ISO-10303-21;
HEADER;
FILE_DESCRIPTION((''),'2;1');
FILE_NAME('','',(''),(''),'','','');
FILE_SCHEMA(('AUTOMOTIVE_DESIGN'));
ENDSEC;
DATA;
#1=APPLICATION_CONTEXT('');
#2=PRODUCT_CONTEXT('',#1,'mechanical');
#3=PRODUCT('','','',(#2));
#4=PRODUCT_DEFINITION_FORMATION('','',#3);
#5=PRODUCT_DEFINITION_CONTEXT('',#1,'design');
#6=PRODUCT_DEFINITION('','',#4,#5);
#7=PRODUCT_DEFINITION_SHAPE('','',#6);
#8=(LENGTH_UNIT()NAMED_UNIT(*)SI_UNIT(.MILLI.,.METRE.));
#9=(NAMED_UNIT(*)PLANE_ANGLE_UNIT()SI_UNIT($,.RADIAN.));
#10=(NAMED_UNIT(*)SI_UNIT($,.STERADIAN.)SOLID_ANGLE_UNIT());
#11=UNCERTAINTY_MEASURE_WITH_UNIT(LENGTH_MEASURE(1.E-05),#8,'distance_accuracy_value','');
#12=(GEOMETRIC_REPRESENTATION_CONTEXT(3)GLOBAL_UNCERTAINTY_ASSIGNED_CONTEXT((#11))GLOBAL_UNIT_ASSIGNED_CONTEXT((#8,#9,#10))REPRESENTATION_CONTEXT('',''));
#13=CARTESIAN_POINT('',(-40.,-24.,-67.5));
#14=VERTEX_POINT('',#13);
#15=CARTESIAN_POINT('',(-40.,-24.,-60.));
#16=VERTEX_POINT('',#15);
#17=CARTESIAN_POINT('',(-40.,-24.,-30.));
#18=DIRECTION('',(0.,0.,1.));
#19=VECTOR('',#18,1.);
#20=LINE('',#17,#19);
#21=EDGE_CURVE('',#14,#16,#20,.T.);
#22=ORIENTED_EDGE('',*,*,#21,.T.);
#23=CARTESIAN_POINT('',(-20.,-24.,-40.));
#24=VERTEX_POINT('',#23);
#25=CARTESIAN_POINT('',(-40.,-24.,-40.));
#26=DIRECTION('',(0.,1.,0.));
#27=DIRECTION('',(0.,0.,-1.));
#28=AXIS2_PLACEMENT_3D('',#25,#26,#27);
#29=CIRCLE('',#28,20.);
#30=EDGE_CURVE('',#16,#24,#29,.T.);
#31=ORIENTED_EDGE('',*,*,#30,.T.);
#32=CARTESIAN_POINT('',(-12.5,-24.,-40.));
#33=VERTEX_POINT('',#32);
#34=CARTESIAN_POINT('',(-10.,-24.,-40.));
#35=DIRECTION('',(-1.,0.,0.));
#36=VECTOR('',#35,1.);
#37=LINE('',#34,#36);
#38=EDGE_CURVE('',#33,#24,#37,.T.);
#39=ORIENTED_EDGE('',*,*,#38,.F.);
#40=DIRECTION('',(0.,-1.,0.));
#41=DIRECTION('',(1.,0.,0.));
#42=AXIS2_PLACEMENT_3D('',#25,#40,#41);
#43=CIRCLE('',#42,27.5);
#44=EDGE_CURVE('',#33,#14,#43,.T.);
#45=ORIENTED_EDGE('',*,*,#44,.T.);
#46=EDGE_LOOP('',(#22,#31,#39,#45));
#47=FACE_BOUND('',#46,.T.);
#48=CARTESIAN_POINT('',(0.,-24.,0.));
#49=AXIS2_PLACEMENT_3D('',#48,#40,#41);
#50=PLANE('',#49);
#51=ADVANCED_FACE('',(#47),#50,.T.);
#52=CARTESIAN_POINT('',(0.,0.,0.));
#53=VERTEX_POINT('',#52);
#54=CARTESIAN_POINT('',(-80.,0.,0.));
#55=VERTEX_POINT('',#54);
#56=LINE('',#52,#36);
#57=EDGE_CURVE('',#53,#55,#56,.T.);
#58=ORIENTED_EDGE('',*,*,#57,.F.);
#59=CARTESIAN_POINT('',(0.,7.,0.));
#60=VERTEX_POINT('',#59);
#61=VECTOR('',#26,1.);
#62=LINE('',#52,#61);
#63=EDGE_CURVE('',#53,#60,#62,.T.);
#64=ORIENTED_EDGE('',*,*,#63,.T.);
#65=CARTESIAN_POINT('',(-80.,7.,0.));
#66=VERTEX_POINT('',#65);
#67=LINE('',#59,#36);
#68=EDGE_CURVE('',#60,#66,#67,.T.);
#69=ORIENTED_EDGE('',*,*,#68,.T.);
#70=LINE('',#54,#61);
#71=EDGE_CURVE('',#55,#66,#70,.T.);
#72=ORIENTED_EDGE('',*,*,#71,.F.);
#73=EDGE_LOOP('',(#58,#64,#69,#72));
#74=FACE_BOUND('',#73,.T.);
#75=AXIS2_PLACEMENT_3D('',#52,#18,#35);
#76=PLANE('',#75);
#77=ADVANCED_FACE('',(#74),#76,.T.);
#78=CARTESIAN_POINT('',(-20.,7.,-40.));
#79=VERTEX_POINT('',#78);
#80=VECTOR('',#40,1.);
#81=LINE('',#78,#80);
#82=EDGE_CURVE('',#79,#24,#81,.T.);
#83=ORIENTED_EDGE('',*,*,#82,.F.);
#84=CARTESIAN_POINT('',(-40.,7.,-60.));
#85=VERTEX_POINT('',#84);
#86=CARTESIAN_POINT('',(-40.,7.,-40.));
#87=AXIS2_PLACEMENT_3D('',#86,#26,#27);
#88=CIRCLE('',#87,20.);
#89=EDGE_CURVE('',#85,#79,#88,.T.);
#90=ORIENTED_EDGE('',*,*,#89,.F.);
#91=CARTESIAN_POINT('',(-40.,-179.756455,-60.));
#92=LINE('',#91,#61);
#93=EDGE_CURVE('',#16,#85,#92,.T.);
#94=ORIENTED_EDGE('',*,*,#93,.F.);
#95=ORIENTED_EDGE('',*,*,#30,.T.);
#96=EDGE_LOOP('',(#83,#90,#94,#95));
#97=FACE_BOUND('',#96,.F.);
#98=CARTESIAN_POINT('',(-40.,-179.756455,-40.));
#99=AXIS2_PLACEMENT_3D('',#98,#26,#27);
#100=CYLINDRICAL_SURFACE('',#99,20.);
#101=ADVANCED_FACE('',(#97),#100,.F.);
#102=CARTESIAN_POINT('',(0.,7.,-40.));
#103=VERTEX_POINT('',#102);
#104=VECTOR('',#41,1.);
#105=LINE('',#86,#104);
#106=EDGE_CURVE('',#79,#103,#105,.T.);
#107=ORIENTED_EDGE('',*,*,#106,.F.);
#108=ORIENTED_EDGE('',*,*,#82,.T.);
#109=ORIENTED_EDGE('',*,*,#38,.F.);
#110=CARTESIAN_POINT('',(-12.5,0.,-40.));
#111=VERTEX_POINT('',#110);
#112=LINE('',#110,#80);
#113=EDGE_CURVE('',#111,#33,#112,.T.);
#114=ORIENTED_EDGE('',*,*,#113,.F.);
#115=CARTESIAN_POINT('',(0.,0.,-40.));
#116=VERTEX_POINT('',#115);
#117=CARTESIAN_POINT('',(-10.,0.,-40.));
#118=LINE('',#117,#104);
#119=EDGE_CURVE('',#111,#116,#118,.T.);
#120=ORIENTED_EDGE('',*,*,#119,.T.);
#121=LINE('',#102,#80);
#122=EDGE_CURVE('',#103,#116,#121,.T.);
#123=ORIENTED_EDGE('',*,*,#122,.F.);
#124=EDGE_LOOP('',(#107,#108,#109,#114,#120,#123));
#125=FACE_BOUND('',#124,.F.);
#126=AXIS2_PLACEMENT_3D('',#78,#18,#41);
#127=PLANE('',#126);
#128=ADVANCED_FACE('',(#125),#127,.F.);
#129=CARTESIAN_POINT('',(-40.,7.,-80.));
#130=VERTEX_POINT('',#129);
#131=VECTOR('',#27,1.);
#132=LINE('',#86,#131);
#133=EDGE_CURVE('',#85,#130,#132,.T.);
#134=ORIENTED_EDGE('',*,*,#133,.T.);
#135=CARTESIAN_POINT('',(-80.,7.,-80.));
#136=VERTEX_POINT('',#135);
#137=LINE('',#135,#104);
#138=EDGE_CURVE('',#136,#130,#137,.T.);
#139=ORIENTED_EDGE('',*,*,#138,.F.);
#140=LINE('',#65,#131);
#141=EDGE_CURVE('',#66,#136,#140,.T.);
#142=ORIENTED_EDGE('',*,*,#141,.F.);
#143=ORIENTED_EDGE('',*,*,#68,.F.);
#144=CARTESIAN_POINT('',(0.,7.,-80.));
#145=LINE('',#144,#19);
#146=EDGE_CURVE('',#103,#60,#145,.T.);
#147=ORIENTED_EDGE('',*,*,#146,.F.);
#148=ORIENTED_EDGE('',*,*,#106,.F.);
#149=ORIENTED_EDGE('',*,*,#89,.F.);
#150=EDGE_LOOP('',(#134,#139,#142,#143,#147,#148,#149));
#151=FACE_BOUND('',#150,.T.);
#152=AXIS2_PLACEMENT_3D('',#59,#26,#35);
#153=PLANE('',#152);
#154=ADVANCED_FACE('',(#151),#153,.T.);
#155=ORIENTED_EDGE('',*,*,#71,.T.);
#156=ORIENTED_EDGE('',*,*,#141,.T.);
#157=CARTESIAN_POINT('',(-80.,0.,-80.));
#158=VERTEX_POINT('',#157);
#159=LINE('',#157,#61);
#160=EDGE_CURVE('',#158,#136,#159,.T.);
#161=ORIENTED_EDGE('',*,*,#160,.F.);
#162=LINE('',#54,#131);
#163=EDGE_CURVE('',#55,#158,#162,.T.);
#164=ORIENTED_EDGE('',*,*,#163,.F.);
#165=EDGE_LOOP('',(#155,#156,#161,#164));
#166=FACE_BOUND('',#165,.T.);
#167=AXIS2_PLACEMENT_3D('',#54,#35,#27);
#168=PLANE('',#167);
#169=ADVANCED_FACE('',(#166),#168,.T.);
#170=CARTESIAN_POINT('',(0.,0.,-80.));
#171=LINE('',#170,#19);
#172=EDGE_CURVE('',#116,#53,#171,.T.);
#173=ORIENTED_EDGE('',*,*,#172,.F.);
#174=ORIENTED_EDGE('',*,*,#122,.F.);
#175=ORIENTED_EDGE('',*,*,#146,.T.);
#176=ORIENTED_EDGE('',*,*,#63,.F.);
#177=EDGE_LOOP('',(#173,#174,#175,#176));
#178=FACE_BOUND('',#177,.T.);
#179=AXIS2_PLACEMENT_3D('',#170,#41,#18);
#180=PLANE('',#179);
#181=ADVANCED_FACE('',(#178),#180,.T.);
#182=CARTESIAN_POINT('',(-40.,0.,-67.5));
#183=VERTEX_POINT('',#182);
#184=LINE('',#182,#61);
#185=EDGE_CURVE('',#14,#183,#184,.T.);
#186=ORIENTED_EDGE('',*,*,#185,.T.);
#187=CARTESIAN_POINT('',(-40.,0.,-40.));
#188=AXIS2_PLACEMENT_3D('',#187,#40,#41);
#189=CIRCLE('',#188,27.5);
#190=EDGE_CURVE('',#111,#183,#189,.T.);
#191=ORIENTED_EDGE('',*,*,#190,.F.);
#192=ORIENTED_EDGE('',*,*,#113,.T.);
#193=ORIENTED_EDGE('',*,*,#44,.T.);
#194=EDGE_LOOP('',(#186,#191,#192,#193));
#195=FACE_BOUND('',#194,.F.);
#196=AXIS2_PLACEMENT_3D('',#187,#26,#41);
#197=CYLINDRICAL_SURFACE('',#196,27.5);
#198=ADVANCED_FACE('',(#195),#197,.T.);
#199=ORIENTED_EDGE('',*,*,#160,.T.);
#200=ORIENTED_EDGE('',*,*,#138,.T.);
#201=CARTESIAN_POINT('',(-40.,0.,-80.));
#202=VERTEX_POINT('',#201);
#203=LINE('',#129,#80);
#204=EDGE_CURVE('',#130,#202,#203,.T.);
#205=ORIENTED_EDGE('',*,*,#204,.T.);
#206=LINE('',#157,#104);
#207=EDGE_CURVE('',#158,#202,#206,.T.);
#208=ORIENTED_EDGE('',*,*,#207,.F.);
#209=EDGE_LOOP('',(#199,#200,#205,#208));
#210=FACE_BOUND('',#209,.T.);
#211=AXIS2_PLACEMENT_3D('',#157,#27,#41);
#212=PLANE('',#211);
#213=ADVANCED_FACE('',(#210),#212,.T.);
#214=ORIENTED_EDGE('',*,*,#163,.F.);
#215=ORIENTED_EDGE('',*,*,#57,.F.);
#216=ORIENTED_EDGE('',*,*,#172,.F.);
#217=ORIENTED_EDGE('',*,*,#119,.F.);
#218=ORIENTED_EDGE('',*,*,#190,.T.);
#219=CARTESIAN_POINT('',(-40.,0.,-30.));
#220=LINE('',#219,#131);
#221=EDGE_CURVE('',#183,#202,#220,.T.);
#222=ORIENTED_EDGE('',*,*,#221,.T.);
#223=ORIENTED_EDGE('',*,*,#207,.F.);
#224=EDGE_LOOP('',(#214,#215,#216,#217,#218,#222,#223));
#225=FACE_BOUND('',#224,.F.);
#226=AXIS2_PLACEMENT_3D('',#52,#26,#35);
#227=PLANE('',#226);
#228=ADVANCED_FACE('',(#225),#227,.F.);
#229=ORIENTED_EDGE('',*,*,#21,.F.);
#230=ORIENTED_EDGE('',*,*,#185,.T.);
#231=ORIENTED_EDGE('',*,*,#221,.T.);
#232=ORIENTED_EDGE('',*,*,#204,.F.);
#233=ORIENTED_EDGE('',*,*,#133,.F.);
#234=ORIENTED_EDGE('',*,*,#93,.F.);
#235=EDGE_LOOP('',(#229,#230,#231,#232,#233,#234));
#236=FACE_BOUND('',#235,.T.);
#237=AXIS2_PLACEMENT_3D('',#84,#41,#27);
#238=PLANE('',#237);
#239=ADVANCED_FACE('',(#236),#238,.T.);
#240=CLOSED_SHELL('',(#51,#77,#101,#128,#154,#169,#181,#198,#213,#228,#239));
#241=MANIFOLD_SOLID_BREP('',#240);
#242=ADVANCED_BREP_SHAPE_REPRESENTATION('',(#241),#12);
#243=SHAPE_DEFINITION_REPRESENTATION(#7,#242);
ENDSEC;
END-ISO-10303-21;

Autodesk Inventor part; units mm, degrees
ref_plane "YZ Plane" through (0, 0, 0) normal (1, 0, 0) x (0, 1, 0)
ref_plane "XZ Plane" through (0, 0, 0) normal (0, 1, 0) x (-1, 0, 0)
ref_plane "XY Plane" through (0, 0, 0) normal (0, 0, 1) x (1, 0, 0)
sketch "Boceto1" plane through (0, 0, 0) normal (0, 1, 0) x (-1, 0, 0)
  line L0 (0, 0) -> (80, 0)
  line L1 (80, 0) -> (80, -80)
  line L2 (80, -80) -> (0, -80)
  line L3 (0, -80) -> (0, 0)
  dimension "d0" = 80
  dimension "d1" = 80
extrude "Extrusión1" add sketch "Boceto1" along normal blind 7
sketch "Boceto2" plane through (0, 0, 0) normal (0, -1, 0) x (1, 0, 0)
  point P0 (0, 0)
sketch "Boceto3" plane through (0, 0, 0) normal (0, -1, 0) x (1, 0, 0)
  line L0 (-80, 0) -> (0, 0) construction
  line L1 (-40, 0) -> (-40, -80) construction
  line L2 (0, -80) -> (-80, -80) construction
  line L3 (-80, -80) -> (-80, 0) construction
  line L4 (-80, -40) -> (0, -40) construction
  line L5 (0, 0) -> (0, -80) construction
  circle A0 centre (-40, -40) radius 27.5
  dimension "d4" = 55
extrude "Extrusión2" add sketch "Boceto3" along normal blind 24
hole "Agujero1" at (-40, 0, -40) direction (0, 1, 0) diameter 40 end through all both
sketch "Boceto4" plane through (0, 7, 0) normal (0, 1, 0) x (1, 0, 0)
  circle A0 centre (-40, 40) radius 20 projected
  line L0 (-40, 40) -> (-40, 80)
  line L1 (0, 80) -> (-80, 80) projected
  line L2 (0, 80) -> (0, 40)
  line L3 (0, 0) -> (0, 80) projected
  line L4 (-40, 40) -> (0, 40)
  point P0 (-20, 40)
  point P1 (-40, 60)
extrude "Extrusión3" cut sketch "Boceto4" against normal through all contours A0 L0 L1 L2 L4
sketch "Boceto7" plane through (0, 7, 0) normal (0, 1, 0) x (1, 0, 0)
  line L0 (-40, 40) -> (-57.5963, 22.4037) construction
  line L1 (-80, 40) -> (0, 40) construction
  line L2 (-58.6139, 17.8506) -> (-50.0833, 26.3811)
  line L3 (-50.0833, 26.3811) -> (-53.6189, 29.9167)
  line L4 (-53.6189, 29.9167) -> (-62.1494, 21.3861)
  line L5 (-62.1494, 21.3861) -> (-58.6139, 17.8506)
  point P0 (0, 0)
  point P1 (-60.3816, 19.6184)
  dimension "d16" = 135
  dimension "d17" = 2.5
  dimension "d18" = 2.5
  dimension "d19" = 12.064
sketch3d "Boceto 3D1"
properties part number "Parctica final.xx"
